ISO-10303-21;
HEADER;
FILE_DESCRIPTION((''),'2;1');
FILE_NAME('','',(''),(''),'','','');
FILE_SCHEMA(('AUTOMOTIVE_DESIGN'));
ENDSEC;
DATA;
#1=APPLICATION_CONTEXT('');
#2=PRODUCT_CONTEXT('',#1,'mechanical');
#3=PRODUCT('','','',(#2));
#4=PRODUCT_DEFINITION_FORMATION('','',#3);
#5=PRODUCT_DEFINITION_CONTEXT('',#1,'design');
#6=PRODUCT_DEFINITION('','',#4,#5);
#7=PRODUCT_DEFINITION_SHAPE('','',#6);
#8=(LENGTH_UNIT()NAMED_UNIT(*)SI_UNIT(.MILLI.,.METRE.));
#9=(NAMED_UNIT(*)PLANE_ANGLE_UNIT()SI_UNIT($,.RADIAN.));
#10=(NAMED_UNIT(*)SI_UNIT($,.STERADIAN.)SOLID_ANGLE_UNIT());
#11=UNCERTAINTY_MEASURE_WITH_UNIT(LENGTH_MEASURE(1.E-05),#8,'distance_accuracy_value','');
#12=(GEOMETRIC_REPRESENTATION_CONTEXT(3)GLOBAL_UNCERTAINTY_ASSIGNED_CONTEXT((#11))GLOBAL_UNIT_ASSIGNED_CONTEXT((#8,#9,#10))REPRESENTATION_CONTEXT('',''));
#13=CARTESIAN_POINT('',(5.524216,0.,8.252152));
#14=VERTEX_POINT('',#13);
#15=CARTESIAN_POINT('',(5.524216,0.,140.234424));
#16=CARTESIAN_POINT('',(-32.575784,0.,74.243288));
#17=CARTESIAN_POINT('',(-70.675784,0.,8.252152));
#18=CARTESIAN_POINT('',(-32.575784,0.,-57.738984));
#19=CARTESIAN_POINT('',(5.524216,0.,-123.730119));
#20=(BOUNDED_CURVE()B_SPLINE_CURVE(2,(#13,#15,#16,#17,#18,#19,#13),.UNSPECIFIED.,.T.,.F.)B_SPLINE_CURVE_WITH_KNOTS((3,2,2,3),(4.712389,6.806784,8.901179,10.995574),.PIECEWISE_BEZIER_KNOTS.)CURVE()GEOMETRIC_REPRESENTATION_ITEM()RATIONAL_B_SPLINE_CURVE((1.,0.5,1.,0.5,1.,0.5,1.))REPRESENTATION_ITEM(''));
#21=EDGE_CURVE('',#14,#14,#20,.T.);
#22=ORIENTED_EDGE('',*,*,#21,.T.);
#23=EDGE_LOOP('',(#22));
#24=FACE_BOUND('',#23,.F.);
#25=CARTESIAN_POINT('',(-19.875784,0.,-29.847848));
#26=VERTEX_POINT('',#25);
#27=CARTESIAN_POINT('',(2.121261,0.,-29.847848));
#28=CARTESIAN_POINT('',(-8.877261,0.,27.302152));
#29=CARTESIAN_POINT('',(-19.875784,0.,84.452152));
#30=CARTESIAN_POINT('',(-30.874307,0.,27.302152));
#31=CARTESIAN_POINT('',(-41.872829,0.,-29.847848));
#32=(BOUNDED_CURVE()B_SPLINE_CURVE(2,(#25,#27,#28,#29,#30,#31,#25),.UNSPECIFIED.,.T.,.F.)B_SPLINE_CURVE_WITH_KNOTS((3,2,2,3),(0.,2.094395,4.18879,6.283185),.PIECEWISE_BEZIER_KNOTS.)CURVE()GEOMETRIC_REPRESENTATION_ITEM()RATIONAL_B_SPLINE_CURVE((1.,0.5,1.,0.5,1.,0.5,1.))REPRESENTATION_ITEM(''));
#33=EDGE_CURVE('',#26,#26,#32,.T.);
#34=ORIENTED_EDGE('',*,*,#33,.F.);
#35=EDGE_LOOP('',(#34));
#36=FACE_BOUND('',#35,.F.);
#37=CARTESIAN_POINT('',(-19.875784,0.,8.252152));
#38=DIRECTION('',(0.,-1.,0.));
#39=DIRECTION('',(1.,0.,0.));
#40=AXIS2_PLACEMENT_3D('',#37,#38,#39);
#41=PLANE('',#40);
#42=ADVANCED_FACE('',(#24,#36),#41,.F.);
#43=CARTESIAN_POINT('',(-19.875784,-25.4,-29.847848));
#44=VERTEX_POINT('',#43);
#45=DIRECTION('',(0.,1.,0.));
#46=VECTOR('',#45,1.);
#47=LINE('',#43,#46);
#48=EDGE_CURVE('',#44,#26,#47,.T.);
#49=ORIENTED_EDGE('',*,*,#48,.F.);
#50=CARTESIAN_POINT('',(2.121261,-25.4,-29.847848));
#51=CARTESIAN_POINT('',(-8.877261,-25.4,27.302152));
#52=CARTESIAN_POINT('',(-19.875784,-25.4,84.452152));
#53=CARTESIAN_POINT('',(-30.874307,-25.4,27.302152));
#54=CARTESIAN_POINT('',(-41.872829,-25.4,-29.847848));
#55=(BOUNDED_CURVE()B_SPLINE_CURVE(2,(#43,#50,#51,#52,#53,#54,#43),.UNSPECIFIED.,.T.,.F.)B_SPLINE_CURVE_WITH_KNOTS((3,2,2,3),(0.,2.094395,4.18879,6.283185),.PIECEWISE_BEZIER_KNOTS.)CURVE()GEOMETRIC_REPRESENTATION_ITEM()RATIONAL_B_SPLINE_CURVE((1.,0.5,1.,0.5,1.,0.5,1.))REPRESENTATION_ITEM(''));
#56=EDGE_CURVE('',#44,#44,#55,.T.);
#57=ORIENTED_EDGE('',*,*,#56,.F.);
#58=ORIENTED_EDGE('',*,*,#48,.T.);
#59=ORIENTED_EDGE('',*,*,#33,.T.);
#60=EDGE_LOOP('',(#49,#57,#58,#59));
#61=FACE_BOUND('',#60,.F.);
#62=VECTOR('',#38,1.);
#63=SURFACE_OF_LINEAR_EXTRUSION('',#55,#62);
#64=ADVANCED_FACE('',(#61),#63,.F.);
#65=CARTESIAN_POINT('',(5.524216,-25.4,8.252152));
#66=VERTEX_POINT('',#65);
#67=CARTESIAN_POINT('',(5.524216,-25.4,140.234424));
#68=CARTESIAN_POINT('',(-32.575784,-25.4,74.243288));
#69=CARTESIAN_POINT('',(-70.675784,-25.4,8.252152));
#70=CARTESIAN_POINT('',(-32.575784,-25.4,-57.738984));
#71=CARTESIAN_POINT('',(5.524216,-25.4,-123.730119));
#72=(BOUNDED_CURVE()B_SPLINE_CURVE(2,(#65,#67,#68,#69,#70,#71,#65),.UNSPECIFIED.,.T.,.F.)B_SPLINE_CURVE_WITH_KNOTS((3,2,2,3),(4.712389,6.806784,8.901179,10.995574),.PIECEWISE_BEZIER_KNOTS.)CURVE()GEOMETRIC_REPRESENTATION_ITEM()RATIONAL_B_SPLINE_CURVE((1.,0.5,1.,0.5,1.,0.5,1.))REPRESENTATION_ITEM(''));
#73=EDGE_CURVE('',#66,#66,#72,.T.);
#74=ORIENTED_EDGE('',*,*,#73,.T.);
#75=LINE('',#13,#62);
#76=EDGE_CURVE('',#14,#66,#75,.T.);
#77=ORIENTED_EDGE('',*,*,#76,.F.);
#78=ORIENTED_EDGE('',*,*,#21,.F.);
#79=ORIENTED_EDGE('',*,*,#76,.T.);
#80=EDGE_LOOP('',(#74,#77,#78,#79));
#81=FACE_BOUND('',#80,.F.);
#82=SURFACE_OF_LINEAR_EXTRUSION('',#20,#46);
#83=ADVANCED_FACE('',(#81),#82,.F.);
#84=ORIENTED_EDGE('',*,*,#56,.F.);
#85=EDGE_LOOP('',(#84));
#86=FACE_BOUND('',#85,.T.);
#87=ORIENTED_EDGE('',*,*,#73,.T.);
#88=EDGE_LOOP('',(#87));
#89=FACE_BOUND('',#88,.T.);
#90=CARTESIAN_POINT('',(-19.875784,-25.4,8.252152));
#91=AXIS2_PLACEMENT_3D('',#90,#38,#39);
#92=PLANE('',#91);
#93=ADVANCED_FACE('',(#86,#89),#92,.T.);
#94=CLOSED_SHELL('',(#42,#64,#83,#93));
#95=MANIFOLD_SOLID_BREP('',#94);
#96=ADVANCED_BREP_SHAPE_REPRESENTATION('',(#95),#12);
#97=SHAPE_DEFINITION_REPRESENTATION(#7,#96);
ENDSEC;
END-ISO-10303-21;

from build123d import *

# Parameters (mm, degrees)
F1_DEPTH = 25.4
F3_DEPTH = 25.4


with BuildPart() as f1:
    # F0 (on Front) → F1 (new body)
    with BuildSketch(Plane.XZ):
        with BuildLine():
            add(Edge.make_bspline(
                [(5.524216, 8.252152), (5.524216, 140.234424), (-32.575784, 74.243288), (-70.675784, 8.252152), (-32.575784, -57.738984), (5.524216, -123.730119), (5.524216, 8.252152)],
                knots=[4.712389, 4.712389, 4.712389, 6.806784, 6.806784, 8.901179, 8.901179, 10.995574, 10.995574, 10.995574], degree=2, weights=[1, 0.5, 1, 0.5, 1, 0.5, 1]))
        make_face()
    extrude(amount=F1_DEPTH)

    # F2 (on face) → F3 (cut)
    with BuildSketch(Plane.XZ.offset(25.4)):
        with BuildLine():
            add(Edge.make_bspline(
                [(-19.875784, -29.847848), (2.121261, -29.847848), (-8.877261, 27.302152), (-19.875784, 84.452152), (-30.874307, 27.302152), (-41.872829, -29.847848), (-19.875784, -29.847848)],
                knots=[0, 0, 0, 2.094395, 2.094395, 4.18879, 4.18879, 6.283185, 6.283185, 6.283185], degree=2, weights=[1, 0.5, 1, 0.5, 1, 0.5, 1]))
        make_face()
    extrude(amount=-F3_DEPTH, mode=Mode.SUBTRACT)


solid = f1.part
